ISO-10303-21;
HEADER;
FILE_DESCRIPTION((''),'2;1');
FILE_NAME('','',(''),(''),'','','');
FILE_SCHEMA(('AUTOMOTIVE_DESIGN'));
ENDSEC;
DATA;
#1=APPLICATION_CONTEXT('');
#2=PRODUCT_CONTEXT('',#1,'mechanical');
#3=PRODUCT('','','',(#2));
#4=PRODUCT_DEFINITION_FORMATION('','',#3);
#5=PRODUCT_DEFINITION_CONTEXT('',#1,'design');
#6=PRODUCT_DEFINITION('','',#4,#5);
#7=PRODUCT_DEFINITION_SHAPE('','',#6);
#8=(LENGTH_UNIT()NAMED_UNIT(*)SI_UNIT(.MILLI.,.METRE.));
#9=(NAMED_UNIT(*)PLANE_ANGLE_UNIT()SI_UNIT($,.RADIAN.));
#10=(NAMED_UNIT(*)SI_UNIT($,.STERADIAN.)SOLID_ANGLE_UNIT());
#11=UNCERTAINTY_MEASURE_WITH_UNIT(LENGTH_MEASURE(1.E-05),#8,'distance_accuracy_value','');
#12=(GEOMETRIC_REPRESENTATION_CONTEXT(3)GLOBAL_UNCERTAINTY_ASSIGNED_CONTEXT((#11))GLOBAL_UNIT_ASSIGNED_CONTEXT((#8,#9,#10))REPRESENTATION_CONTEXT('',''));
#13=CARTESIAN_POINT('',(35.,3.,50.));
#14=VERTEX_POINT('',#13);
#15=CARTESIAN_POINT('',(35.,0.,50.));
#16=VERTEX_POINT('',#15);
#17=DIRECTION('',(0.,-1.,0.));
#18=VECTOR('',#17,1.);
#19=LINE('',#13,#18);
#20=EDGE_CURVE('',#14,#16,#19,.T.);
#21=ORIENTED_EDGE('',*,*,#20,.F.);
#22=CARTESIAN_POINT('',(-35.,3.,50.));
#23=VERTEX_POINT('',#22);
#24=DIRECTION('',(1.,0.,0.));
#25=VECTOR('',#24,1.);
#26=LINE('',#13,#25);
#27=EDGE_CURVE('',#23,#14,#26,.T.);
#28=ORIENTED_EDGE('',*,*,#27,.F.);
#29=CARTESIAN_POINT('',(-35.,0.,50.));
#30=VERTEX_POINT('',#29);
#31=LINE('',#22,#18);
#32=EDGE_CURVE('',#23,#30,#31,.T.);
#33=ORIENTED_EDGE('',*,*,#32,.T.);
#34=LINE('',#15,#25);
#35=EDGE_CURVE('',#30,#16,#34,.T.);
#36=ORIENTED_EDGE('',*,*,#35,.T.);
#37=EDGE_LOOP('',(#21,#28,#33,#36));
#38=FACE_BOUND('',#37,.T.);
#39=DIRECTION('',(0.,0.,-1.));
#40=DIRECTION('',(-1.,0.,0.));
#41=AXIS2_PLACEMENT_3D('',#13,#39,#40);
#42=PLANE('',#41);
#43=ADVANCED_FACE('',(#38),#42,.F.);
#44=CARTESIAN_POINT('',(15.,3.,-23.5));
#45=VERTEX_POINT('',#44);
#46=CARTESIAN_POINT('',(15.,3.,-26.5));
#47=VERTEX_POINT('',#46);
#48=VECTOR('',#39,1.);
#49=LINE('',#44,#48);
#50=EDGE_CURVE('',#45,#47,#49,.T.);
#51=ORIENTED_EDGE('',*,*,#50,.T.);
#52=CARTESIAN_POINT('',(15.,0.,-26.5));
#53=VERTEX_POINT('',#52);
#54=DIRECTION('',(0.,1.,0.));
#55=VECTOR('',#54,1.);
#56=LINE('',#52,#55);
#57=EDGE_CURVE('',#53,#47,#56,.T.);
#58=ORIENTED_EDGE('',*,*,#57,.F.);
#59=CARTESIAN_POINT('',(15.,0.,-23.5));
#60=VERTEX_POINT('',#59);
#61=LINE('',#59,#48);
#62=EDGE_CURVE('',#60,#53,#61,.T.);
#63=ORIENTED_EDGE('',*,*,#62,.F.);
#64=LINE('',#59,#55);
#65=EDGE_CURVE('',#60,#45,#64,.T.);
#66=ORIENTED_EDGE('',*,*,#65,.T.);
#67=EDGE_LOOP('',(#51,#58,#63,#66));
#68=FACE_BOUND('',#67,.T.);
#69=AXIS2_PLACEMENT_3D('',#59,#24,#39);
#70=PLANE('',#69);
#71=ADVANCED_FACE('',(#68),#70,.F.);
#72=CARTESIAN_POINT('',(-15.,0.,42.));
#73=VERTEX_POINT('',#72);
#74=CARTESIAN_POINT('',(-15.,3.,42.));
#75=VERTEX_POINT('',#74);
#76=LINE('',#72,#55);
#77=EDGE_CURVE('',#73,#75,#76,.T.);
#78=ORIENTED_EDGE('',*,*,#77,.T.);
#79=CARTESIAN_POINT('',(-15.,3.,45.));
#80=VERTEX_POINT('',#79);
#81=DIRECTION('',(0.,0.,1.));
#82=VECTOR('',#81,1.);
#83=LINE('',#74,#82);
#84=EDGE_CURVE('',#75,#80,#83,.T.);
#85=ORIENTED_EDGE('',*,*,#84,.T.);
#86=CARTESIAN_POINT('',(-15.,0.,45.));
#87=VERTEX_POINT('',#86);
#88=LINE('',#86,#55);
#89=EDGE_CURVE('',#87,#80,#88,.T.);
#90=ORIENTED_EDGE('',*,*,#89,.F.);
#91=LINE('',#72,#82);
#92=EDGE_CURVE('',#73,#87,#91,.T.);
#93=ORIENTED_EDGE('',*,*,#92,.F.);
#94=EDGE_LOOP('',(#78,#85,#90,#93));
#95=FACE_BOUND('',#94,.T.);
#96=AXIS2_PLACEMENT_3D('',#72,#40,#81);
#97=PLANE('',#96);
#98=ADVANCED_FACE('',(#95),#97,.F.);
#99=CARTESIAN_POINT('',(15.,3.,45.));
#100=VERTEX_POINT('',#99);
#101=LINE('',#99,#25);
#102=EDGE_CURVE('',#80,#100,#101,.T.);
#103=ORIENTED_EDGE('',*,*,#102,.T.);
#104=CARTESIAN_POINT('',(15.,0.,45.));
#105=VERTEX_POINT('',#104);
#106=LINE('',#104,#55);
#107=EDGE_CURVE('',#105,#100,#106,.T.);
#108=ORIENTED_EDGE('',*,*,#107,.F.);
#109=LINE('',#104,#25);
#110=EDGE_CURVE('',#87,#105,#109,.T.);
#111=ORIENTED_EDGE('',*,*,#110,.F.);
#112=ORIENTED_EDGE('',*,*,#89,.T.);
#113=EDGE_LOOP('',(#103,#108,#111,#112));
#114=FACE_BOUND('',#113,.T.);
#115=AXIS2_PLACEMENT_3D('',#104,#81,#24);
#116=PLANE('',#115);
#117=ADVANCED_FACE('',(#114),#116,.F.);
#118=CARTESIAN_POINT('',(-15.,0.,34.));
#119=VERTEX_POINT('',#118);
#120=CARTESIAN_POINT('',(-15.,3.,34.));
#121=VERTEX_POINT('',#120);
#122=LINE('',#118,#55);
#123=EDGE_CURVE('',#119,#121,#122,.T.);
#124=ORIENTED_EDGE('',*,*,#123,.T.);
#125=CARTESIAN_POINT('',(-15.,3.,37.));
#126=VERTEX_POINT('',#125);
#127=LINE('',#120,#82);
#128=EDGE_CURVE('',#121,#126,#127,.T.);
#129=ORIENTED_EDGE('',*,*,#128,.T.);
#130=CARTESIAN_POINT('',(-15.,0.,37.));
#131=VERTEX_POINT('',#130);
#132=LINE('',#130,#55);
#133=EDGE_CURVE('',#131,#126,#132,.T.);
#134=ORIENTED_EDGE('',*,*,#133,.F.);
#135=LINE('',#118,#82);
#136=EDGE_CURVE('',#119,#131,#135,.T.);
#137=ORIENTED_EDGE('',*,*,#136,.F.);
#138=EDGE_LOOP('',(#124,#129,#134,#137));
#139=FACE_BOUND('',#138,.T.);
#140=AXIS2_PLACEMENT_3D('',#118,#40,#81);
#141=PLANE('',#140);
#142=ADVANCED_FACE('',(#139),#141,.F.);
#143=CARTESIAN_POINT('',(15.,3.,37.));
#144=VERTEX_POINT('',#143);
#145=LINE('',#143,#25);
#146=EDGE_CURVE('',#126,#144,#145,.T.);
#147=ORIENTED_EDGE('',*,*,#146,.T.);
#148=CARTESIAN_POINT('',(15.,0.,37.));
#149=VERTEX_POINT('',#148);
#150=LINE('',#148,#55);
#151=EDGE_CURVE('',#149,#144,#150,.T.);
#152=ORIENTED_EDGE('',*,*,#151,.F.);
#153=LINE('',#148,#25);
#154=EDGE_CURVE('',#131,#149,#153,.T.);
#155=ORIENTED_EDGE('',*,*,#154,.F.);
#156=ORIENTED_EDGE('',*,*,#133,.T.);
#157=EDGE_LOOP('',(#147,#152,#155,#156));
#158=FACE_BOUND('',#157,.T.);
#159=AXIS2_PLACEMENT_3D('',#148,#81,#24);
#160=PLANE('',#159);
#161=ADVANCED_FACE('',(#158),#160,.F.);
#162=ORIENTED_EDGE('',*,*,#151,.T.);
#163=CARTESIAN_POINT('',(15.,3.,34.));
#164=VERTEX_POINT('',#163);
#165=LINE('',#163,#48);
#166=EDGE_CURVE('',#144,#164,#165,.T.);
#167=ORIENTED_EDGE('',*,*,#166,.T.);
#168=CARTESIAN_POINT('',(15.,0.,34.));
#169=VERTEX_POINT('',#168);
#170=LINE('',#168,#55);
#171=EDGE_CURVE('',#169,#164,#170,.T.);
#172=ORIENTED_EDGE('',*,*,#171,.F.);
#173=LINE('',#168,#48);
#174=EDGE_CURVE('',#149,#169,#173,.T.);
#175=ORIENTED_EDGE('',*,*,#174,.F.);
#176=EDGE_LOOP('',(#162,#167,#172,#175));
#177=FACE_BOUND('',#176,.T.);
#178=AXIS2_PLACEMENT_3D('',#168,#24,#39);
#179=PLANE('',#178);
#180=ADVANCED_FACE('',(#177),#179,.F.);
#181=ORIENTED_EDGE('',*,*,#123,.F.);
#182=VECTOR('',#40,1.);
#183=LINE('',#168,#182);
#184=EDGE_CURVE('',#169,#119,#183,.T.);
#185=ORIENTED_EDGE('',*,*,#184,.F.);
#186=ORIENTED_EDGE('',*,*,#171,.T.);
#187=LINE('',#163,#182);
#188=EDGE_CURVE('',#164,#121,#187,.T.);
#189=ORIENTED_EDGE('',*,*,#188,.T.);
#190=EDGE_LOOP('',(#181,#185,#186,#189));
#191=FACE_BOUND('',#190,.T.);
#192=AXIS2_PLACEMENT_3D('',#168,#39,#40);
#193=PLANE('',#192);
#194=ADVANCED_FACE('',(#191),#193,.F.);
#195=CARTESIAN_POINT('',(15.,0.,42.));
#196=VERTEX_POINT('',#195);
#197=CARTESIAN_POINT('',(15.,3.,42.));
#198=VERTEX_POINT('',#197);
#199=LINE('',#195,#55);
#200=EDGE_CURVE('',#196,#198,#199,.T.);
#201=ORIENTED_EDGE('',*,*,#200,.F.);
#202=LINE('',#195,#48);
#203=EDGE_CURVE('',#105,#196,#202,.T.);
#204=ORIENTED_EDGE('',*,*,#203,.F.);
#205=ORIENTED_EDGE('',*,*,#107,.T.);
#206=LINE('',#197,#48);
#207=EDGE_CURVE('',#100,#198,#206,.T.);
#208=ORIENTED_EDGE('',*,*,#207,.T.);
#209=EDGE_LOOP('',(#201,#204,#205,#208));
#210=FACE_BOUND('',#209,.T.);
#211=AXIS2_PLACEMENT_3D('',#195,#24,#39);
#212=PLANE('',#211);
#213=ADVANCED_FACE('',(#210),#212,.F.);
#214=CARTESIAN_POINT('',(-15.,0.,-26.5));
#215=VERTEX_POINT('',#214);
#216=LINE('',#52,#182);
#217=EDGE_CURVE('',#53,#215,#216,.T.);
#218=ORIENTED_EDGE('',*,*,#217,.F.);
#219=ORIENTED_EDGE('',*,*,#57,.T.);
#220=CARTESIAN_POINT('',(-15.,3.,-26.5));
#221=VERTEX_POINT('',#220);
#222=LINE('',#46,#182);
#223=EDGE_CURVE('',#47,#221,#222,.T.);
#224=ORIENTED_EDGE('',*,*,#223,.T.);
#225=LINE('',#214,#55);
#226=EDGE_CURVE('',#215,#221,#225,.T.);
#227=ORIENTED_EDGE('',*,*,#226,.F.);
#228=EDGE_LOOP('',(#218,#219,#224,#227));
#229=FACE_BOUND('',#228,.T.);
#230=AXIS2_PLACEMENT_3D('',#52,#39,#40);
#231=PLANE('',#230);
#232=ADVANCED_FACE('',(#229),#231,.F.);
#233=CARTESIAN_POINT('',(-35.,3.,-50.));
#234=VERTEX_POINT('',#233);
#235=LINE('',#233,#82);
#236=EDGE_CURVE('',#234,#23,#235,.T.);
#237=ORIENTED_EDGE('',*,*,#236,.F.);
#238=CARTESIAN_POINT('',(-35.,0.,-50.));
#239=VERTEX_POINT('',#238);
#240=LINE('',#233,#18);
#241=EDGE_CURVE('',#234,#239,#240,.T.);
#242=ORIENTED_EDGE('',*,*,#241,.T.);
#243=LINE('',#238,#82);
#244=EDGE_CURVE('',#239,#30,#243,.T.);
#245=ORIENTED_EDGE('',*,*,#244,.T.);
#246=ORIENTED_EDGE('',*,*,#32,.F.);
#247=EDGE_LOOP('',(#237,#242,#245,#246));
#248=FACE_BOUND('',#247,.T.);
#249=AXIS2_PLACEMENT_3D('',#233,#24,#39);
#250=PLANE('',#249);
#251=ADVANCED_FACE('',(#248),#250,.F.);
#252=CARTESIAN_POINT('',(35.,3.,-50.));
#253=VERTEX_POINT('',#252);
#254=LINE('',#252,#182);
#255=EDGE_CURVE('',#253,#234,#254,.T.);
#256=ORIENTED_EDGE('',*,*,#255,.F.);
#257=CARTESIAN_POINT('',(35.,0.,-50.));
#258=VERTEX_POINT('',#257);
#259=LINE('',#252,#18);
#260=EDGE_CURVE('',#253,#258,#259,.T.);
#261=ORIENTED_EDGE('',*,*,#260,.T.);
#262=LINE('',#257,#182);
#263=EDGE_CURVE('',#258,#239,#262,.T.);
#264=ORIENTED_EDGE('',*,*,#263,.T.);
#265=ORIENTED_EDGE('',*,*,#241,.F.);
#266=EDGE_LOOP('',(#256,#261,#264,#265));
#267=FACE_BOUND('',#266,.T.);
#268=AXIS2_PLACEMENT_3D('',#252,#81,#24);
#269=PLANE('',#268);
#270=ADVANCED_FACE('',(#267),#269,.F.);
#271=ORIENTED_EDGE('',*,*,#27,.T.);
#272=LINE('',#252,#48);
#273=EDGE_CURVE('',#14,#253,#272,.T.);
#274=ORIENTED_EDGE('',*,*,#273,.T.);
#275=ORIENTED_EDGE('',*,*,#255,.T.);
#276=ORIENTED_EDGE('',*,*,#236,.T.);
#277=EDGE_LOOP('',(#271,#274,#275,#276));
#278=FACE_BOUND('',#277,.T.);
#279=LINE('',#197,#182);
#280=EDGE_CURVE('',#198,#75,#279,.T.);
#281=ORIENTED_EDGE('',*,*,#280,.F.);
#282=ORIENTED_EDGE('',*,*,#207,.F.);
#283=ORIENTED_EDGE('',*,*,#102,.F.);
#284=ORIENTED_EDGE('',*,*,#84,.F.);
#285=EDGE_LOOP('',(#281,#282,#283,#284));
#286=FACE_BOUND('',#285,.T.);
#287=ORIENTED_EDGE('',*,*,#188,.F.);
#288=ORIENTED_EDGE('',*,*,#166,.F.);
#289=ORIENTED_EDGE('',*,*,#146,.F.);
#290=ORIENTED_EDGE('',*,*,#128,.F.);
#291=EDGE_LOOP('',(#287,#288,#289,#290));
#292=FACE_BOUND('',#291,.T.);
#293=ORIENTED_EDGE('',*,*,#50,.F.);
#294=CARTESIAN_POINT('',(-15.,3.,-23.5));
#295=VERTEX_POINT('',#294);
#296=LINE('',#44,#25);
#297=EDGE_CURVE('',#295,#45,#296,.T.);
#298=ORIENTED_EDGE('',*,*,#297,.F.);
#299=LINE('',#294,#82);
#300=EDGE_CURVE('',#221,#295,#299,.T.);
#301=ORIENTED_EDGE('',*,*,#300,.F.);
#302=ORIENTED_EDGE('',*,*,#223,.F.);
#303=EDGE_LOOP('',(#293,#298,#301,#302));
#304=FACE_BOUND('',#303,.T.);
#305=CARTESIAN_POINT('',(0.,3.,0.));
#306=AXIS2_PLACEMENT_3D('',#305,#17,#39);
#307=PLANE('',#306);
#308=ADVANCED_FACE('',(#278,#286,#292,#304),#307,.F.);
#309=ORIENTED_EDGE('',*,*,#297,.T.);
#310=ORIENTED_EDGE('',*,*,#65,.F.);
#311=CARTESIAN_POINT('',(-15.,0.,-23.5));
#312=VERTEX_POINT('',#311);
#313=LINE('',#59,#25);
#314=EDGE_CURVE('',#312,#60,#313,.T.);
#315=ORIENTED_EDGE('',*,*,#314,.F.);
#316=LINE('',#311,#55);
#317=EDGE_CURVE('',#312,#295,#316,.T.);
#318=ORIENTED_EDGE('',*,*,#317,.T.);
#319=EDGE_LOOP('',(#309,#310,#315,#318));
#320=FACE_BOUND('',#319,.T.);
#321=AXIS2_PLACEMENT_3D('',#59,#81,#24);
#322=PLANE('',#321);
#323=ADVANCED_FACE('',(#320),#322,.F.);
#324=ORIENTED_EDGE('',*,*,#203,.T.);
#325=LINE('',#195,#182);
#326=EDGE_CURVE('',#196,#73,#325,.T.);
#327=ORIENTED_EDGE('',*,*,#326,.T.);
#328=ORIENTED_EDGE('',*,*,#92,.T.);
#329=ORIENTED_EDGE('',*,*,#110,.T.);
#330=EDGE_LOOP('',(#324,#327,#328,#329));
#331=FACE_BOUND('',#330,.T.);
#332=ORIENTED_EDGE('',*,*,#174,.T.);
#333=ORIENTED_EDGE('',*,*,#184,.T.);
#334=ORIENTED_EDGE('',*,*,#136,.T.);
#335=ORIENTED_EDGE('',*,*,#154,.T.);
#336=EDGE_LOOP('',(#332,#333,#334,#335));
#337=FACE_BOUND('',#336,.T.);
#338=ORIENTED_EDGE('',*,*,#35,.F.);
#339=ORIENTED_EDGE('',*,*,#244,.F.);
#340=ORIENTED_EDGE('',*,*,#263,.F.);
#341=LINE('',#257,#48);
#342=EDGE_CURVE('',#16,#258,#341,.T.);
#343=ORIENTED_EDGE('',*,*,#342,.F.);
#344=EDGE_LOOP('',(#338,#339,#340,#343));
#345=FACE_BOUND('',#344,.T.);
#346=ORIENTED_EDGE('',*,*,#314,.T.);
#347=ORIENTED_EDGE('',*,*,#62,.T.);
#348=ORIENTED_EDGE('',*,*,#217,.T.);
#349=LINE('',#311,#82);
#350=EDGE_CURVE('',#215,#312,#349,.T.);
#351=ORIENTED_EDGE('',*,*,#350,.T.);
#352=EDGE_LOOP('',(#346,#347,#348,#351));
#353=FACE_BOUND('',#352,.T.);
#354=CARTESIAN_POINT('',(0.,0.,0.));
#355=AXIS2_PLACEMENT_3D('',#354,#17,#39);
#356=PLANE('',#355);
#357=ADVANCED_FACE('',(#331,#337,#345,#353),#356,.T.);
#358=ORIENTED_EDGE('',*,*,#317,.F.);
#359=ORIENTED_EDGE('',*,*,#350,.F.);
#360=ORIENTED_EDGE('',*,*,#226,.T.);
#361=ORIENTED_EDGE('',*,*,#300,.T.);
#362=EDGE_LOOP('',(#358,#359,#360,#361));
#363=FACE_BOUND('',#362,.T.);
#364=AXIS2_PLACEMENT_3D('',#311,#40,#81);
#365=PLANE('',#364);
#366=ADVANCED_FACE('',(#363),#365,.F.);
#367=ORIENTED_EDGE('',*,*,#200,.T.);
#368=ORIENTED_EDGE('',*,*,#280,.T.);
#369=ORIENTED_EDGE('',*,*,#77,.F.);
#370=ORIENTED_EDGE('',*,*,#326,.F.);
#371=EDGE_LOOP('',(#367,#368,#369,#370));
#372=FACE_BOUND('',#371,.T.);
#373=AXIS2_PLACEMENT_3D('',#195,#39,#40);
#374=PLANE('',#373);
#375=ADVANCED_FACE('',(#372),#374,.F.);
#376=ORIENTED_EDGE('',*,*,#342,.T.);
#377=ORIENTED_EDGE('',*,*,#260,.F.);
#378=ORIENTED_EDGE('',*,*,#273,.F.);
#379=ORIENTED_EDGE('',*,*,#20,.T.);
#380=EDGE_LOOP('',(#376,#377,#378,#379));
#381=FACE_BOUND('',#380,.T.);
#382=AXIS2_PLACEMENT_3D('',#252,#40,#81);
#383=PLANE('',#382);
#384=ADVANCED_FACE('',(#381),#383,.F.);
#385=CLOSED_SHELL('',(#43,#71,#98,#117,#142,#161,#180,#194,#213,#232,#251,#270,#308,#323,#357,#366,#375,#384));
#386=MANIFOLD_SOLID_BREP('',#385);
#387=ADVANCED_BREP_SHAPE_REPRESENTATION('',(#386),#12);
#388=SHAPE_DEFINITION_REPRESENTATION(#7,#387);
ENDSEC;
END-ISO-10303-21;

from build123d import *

# Parameters (mm, degrees)
SKETCH1_W           = 70
SKETCH1_H           = 100
BOSS_EXTRUDE1_DEPTH = 3
SKETCH2_W           = 30
SKETCH2_H           = 3
CUT_EXTRUDE1_DEPTH  = 62.10646447


with BuildPart() as part:
    # Sketch1 → Boss-Extrude1 (new body)
    with BuildSketch(Plane(origin=(0, 0, 0), x_dir=(1, 0, 0), z_dir=(0, 1, 0))):
        Rectangle(SKETCH1_W, SKETCH1_H)
    extrude(amount=BOSS_EXTRUDE1_DEPTH)

    # Sketch2 → Cut-Extrude1 (cut, through all)
    with BuildSketch(Plane(origin=(0, 3, 0), x_dir=(1, 0, 0), z_dir=(0, 1, 0))):
        with Locations((0, -43.5)):
            Rectangle(SKETCH2_W, SKETCH2_H)
        with Locations((0, -35.5)):
            Rectangle(SKETCH2_W, SKETCH2_H)
        with Locations((0, 25)):
            Rectangle(SKETCH2_W, SKETCH2_H)
    extrude(amount=-CUT_EXTRUDE1_DEPTH, mode=Mode.SUBTRACT)


solid = part.part
